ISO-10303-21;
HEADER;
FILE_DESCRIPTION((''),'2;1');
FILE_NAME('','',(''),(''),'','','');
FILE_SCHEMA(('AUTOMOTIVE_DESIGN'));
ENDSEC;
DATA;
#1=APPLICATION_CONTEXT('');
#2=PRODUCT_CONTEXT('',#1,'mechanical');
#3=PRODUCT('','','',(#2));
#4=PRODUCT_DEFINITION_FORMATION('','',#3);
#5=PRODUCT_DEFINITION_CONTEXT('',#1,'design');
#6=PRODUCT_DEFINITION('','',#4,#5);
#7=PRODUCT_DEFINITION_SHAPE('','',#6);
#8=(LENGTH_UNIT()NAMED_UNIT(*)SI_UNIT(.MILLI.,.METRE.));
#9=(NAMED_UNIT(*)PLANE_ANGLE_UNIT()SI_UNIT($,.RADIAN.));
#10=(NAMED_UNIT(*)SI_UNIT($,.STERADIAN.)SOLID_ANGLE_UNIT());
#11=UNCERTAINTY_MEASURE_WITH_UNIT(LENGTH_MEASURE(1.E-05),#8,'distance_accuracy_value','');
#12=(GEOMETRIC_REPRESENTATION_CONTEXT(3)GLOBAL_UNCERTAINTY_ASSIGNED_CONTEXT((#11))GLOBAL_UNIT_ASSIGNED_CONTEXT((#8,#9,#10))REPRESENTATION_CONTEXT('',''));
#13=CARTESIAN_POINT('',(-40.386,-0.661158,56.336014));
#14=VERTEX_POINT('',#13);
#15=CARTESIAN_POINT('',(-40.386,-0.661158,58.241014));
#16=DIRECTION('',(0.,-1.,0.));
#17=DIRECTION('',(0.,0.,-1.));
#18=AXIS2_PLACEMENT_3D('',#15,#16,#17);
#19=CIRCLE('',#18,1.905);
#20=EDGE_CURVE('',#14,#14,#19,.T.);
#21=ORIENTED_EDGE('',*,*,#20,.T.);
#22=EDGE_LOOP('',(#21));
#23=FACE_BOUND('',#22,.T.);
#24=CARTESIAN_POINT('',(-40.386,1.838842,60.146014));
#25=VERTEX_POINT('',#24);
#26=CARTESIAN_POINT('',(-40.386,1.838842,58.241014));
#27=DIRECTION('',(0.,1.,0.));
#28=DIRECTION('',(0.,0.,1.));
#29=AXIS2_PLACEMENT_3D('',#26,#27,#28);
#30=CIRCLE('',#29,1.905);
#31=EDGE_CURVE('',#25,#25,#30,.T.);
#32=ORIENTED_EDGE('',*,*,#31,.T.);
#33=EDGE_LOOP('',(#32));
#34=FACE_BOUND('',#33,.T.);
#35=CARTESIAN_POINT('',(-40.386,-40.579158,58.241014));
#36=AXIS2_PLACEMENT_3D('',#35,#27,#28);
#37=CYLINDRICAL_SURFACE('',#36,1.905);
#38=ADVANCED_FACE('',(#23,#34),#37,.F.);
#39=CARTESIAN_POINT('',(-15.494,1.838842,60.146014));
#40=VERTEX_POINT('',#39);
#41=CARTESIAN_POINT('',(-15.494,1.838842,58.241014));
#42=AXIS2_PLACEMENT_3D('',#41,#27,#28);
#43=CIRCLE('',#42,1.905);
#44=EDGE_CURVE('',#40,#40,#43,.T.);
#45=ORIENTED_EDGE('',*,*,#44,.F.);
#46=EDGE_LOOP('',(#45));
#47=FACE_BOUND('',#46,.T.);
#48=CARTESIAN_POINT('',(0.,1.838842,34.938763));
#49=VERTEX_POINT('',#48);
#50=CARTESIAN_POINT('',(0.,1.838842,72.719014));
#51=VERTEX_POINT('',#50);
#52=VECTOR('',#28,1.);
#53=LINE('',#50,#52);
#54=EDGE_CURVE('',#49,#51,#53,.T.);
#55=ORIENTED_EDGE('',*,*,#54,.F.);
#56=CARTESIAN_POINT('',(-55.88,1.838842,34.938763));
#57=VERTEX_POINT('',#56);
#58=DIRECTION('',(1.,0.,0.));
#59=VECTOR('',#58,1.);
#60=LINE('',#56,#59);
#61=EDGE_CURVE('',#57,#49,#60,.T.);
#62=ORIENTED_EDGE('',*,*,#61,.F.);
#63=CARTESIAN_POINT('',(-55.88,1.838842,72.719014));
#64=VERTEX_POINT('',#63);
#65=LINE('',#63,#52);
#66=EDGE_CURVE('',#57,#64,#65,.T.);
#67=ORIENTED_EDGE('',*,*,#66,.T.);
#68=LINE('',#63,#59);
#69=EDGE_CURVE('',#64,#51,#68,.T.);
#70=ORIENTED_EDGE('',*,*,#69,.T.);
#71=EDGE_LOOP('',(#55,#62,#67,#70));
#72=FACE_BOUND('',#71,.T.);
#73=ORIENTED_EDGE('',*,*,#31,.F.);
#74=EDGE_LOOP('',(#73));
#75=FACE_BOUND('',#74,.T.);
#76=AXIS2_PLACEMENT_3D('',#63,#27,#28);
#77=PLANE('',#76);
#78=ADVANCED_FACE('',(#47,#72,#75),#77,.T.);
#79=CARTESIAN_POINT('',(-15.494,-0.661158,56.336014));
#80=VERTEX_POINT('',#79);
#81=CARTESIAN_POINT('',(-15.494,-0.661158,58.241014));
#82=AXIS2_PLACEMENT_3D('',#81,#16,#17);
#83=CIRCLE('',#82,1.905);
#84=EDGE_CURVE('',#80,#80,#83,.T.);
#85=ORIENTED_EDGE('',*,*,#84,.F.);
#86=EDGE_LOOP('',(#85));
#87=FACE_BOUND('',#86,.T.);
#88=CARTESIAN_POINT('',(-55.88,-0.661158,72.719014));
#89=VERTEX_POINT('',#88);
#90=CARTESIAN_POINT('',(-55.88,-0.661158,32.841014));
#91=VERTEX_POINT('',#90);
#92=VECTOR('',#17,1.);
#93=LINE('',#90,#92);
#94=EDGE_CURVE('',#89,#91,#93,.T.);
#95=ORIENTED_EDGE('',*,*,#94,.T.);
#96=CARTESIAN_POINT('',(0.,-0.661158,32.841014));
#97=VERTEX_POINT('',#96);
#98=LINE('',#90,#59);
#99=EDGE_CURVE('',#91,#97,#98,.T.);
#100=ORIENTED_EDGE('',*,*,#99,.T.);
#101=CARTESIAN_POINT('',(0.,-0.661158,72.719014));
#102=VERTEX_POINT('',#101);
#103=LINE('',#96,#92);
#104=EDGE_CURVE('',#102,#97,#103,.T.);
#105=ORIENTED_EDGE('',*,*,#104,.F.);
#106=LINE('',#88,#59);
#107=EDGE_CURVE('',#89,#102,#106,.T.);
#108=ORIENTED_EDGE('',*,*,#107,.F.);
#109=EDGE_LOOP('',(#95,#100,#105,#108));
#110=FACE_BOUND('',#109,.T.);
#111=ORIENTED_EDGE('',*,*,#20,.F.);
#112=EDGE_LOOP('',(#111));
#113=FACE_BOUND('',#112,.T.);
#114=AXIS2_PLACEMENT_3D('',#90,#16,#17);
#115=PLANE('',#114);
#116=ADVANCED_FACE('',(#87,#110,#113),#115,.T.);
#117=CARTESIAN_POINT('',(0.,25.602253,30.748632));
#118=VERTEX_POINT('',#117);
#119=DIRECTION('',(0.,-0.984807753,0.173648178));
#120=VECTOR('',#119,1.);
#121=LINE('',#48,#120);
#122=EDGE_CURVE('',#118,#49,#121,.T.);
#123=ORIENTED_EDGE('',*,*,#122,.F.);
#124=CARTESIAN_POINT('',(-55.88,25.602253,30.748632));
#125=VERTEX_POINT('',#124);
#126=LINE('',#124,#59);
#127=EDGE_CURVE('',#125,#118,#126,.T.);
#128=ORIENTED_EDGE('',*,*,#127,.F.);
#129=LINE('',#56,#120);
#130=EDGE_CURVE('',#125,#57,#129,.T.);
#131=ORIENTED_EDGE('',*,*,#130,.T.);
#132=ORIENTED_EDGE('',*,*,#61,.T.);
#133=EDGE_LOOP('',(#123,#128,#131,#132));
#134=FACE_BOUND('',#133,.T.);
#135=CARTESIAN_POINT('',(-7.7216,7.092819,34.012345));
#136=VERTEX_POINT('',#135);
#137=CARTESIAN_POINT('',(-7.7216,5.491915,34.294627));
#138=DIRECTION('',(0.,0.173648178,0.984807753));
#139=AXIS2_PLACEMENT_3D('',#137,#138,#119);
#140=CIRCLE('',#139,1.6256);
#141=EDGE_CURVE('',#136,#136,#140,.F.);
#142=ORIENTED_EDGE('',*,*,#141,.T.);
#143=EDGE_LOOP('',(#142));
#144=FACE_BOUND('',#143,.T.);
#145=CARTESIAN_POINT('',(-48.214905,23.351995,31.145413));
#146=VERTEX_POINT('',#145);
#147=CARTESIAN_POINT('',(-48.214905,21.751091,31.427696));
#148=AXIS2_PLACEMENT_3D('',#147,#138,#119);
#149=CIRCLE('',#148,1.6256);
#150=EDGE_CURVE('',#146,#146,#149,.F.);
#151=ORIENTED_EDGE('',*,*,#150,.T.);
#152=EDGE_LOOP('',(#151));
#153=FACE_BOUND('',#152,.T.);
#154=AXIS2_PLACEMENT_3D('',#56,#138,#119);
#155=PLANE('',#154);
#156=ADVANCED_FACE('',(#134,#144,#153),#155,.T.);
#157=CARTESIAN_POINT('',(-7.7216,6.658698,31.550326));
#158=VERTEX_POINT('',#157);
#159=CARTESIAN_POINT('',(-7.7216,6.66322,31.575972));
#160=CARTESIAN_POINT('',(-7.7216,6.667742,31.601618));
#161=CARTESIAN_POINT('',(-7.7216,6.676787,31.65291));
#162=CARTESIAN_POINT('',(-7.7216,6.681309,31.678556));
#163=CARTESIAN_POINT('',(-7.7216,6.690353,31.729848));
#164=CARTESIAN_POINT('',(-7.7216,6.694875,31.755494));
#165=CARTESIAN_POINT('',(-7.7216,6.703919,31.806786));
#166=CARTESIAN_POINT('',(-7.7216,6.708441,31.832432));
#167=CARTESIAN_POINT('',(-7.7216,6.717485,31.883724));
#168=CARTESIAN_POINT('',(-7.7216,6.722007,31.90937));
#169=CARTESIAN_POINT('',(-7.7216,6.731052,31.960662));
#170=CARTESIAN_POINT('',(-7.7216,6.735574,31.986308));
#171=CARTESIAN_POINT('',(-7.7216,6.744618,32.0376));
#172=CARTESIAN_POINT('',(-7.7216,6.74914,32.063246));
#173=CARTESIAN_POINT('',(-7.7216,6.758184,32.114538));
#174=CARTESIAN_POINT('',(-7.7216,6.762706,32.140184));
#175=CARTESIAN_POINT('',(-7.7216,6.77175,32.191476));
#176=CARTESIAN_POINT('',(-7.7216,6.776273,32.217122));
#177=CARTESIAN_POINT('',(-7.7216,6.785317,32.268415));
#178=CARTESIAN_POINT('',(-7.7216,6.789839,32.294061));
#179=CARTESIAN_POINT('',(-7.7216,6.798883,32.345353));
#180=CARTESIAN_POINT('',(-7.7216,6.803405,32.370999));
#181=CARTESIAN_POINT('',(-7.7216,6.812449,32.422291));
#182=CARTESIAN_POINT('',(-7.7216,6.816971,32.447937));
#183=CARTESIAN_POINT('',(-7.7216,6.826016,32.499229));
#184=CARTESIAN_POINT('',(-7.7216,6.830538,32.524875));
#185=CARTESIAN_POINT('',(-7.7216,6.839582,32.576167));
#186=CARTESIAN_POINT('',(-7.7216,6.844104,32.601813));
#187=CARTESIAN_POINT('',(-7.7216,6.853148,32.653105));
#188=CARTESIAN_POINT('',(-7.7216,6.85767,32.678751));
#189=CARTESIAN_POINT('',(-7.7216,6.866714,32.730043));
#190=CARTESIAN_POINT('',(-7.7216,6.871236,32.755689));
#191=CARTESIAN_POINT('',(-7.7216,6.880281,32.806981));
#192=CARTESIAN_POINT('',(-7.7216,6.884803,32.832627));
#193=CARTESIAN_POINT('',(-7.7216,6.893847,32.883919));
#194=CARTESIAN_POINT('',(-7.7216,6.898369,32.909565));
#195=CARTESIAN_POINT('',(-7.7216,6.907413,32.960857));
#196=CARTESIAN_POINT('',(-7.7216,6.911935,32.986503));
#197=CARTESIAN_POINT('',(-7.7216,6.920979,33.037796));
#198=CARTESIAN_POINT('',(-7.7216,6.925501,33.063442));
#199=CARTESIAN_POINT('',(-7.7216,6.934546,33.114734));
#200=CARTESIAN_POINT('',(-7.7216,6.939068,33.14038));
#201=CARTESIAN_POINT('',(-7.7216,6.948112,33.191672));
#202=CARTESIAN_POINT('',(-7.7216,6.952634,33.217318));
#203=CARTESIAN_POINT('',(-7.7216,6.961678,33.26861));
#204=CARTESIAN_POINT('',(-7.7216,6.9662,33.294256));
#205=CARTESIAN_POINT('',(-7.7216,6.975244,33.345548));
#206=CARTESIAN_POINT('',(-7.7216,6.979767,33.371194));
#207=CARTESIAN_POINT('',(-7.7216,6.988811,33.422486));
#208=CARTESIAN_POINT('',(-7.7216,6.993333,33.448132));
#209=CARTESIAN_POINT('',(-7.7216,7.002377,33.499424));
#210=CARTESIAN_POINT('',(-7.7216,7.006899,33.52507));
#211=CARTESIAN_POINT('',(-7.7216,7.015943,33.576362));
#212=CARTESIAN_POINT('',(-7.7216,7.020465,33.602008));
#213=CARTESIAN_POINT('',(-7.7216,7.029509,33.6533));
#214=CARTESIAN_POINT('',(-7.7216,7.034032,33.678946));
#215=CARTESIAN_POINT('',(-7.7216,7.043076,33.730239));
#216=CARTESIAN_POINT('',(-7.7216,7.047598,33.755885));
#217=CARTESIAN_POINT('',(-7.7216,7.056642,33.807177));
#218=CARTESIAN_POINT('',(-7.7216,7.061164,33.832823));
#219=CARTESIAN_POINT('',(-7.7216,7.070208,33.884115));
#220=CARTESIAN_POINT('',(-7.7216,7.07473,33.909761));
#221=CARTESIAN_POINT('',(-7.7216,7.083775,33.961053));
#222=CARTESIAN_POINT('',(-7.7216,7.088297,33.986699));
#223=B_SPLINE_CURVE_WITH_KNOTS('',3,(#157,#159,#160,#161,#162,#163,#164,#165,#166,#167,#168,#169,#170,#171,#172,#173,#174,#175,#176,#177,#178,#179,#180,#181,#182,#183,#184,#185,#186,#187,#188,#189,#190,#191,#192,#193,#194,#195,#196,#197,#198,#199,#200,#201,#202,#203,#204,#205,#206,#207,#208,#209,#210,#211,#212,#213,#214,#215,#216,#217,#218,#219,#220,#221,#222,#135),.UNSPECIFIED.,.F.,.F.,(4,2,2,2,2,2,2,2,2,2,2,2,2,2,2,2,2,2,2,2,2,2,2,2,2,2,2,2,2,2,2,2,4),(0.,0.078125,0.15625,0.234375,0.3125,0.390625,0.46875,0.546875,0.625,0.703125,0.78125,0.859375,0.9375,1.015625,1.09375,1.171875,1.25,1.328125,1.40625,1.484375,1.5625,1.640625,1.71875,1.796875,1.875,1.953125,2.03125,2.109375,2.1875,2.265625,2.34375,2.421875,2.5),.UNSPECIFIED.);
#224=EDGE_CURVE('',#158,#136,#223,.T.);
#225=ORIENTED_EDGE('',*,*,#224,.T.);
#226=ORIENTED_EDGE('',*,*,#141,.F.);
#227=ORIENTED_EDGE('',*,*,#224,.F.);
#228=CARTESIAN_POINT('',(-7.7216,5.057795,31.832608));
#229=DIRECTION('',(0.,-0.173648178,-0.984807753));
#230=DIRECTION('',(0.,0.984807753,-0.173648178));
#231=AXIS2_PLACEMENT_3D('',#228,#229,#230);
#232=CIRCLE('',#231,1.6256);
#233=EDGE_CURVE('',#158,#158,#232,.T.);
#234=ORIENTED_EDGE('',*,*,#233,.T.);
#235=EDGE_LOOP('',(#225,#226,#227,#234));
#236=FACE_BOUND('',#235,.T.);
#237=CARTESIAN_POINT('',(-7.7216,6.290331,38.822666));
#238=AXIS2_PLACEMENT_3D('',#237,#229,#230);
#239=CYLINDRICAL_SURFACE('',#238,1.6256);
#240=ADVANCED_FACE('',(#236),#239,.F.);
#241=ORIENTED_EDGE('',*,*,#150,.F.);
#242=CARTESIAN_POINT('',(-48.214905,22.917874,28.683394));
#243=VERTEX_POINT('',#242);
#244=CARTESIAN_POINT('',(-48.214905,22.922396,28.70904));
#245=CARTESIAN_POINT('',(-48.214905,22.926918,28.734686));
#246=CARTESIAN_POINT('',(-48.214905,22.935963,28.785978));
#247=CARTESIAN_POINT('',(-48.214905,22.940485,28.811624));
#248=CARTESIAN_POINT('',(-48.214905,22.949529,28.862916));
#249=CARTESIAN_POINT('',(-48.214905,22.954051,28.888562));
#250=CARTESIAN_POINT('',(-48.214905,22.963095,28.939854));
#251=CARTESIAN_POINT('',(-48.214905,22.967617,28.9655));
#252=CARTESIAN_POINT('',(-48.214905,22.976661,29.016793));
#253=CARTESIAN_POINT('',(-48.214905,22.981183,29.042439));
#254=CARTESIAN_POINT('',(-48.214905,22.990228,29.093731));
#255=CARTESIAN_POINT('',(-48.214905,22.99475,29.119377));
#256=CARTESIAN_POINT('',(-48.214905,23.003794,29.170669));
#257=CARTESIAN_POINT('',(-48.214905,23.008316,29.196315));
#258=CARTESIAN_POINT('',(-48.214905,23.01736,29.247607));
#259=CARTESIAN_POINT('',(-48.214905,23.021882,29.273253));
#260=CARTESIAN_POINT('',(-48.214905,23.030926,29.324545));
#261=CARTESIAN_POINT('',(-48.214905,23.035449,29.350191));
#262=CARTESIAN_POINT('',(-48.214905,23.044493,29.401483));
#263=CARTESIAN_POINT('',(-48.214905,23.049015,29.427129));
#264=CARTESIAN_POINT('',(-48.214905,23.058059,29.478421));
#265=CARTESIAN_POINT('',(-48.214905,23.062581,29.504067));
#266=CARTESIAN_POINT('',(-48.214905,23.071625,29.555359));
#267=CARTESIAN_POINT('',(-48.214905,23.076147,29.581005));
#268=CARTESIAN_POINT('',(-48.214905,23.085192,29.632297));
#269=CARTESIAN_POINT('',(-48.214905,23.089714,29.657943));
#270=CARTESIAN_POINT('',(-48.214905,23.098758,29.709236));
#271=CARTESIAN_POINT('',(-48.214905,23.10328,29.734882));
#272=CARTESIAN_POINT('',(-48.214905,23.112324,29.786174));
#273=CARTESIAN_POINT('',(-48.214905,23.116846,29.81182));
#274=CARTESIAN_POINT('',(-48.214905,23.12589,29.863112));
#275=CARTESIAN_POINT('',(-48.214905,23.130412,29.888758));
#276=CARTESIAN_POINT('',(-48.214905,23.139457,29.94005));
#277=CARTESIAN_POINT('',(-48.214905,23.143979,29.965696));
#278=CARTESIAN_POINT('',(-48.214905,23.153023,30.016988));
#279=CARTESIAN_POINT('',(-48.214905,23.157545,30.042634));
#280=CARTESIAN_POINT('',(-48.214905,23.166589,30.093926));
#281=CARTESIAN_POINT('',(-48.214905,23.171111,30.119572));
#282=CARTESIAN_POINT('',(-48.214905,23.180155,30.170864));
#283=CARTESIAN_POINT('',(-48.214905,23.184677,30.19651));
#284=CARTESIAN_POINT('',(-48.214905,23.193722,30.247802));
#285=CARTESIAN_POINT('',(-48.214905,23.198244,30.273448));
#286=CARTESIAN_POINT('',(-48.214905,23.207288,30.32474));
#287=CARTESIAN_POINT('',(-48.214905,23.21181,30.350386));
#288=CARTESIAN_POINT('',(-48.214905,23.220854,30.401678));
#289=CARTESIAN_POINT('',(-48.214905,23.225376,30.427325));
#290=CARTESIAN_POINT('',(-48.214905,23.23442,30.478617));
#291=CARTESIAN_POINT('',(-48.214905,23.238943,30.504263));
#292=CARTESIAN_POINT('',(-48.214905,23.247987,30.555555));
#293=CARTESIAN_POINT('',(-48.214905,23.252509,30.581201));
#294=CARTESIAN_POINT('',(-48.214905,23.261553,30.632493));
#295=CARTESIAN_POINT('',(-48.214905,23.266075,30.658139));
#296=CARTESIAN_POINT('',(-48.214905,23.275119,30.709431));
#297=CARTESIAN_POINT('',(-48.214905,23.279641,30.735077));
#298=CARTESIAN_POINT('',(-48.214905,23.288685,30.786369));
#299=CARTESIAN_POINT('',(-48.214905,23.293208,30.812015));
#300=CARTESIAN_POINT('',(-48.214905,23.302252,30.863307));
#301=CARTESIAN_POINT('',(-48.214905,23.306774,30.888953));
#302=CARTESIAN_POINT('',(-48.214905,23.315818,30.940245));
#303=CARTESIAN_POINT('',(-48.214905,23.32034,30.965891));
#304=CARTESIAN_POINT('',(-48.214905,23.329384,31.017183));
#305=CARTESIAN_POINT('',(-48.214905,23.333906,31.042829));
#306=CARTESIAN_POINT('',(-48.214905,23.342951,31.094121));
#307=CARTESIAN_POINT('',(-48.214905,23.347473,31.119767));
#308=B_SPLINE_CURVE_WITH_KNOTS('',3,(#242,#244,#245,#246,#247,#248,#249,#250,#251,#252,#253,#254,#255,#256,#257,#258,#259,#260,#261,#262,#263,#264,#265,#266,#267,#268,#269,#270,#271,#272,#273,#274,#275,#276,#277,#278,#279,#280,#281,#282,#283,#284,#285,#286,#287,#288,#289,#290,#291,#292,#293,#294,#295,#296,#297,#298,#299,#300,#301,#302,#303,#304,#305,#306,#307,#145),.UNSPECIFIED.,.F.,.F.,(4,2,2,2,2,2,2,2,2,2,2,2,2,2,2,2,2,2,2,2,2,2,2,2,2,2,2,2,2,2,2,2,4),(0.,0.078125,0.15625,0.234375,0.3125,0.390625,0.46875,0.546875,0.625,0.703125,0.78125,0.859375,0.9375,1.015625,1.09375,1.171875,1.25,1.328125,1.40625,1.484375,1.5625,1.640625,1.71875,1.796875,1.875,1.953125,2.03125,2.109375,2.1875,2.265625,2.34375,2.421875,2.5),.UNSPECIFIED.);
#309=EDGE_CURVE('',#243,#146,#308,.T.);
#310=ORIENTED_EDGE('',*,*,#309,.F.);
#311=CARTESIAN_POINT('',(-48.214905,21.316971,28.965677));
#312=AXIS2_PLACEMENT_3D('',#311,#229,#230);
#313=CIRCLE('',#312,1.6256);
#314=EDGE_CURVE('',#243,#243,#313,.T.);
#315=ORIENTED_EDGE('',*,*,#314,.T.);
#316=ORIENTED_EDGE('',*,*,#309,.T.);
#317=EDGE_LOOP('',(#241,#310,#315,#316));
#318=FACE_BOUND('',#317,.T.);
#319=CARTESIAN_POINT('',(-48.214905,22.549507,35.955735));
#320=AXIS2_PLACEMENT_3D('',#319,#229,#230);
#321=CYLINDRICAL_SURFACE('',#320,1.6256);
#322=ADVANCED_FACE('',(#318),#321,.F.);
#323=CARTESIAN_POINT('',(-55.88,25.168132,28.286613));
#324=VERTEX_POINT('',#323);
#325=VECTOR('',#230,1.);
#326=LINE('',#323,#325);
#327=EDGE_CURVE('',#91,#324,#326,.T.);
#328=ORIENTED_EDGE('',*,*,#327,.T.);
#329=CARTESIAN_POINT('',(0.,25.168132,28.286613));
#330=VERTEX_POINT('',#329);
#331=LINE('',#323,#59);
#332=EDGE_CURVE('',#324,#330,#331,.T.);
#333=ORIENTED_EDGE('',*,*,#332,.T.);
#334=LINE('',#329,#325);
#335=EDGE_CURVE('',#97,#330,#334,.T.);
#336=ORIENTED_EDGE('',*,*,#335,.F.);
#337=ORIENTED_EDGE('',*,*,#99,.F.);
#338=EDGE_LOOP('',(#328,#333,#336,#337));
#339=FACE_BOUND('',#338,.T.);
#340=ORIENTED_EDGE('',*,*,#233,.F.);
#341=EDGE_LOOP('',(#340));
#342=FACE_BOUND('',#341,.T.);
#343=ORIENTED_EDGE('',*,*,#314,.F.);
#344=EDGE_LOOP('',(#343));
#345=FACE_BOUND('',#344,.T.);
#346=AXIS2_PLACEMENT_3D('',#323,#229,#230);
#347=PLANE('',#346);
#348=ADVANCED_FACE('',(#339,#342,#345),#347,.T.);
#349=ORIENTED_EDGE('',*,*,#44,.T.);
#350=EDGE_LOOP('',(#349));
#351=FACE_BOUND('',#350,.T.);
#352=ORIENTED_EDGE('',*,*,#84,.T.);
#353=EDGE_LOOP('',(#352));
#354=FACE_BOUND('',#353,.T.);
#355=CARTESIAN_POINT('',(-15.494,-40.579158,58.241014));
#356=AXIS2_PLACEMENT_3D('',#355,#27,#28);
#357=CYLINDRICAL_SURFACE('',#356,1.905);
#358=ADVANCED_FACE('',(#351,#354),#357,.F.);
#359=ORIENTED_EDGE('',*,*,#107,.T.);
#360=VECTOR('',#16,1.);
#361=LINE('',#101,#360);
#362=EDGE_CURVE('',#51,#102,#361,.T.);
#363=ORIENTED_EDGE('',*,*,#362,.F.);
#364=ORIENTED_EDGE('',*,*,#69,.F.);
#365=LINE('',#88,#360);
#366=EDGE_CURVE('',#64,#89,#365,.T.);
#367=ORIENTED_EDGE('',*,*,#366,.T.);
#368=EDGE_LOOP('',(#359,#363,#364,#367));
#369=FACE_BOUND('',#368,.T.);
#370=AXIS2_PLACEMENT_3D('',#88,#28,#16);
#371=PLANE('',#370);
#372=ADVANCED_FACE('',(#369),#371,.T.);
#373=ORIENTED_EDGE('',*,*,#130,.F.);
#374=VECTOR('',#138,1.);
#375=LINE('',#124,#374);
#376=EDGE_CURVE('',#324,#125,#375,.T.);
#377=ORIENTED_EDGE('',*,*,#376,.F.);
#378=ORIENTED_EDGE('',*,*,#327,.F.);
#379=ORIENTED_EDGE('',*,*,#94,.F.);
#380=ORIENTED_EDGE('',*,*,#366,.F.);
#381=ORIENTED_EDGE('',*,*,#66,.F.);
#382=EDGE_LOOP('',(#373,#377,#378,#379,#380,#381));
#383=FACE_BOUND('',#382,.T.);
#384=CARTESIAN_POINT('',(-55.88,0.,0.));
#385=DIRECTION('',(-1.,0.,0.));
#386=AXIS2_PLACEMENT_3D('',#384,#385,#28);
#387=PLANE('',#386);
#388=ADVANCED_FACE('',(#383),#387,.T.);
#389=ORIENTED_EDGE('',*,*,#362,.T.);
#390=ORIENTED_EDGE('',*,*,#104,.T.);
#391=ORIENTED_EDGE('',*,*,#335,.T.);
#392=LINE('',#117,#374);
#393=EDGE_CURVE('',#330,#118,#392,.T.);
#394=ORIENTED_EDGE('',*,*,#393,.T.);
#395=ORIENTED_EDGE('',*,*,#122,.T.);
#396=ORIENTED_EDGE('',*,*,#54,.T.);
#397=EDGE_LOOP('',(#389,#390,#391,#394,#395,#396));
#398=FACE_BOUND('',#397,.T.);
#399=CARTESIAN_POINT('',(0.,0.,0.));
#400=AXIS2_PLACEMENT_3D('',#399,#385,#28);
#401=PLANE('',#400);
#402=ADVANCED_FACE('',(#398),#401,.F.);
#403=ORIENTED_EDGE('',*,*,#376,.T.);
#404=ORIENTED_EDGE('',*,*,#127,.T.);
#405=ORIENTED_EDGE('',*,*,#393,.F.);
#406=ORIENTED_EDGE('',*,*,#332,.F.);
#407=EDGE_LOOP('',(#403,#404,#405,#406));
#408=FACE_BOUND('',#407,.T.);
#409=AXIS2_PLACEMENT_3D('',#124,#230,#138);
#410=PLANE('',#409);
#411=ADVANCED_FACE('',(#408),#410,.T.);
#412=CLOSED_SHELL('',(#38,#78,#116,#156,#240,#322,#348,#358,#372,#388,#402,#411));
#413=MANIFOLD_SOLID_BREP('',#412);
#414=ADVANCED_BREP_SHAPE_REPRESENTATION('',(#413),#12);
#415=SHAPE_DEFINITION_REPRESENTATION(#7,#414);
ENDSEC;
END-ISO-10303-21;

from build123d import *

# Parameters (mm, degrees)
BOSS_EXTRUDE1_DEPTH = 55.88
SKETCH4_R           = 1.905
CUT_EXTRUDE1_DEPTH  = 42.418
SKETCH5_R           = 1.6256
CUT_EXTRUDE2_DEPTH  = 2.5


with BuildPart() as part:
    # Sketch3 → Boss-Extrude1 (new body)
    with BuildSketch(Plane(origin=(0, 0, 0), x_dir=(0, 0, -1), z_dir=(1, 0, 0))):
        Polygon((-72.719013739, -0.661158353), (-72.719013739, 1.838841647), (-34.938762817, 1.838841647), (-30.74863229, 25.602252727), (-28.286612908, 25.168132283), (-32.841013739, -0.661158353), align=None)
    extrude(amount=-BOSS_EXTRUDE1_DEPTH)

    # Sketch4 → Cut-Extrude1 (cut)
    with BuildSketch(Plane(origin=(0, 1.838841647, 0), x_dir=(1, 0, 0), z_dir=(0, 1, 0))):
        with Locations(Location((-40.386, -58.241013739, 0), (0, 0, 270))):
            Circle(SKETCH4_R)
        with Locations(Location((-15.494, -58.241013739, 0), (0, 0, 270))):
            Circle(SKETCH4_R)
    extrude(amount=-CUT_EXTRUDE1_DEPTH, mode=Mode.SUBTRACT)

    # Sketch5 → Cut-Extrude2 (cut)
    with BuildSketch(Plane(origin=(0, 5.596207749, 31.737671267), x_dir=(-1, 0, 0), z_dir=(0, -0.17364817766692642, -0.9848077530122088))):
        with Locations(Location((48.214905279, 15.963281142, 0), (0, 0, 90))):
            Circle(SKETCH5_R)
        with Locations(Location((7.7216, -0.546718858, 0), (0, 0, 90))):
            Circle(SKETCH5_R)
    extrude(amount=-CUT_EXTRUDE2_DEPTH, mode=Mode.SUBTRACT)


solid = part.part
